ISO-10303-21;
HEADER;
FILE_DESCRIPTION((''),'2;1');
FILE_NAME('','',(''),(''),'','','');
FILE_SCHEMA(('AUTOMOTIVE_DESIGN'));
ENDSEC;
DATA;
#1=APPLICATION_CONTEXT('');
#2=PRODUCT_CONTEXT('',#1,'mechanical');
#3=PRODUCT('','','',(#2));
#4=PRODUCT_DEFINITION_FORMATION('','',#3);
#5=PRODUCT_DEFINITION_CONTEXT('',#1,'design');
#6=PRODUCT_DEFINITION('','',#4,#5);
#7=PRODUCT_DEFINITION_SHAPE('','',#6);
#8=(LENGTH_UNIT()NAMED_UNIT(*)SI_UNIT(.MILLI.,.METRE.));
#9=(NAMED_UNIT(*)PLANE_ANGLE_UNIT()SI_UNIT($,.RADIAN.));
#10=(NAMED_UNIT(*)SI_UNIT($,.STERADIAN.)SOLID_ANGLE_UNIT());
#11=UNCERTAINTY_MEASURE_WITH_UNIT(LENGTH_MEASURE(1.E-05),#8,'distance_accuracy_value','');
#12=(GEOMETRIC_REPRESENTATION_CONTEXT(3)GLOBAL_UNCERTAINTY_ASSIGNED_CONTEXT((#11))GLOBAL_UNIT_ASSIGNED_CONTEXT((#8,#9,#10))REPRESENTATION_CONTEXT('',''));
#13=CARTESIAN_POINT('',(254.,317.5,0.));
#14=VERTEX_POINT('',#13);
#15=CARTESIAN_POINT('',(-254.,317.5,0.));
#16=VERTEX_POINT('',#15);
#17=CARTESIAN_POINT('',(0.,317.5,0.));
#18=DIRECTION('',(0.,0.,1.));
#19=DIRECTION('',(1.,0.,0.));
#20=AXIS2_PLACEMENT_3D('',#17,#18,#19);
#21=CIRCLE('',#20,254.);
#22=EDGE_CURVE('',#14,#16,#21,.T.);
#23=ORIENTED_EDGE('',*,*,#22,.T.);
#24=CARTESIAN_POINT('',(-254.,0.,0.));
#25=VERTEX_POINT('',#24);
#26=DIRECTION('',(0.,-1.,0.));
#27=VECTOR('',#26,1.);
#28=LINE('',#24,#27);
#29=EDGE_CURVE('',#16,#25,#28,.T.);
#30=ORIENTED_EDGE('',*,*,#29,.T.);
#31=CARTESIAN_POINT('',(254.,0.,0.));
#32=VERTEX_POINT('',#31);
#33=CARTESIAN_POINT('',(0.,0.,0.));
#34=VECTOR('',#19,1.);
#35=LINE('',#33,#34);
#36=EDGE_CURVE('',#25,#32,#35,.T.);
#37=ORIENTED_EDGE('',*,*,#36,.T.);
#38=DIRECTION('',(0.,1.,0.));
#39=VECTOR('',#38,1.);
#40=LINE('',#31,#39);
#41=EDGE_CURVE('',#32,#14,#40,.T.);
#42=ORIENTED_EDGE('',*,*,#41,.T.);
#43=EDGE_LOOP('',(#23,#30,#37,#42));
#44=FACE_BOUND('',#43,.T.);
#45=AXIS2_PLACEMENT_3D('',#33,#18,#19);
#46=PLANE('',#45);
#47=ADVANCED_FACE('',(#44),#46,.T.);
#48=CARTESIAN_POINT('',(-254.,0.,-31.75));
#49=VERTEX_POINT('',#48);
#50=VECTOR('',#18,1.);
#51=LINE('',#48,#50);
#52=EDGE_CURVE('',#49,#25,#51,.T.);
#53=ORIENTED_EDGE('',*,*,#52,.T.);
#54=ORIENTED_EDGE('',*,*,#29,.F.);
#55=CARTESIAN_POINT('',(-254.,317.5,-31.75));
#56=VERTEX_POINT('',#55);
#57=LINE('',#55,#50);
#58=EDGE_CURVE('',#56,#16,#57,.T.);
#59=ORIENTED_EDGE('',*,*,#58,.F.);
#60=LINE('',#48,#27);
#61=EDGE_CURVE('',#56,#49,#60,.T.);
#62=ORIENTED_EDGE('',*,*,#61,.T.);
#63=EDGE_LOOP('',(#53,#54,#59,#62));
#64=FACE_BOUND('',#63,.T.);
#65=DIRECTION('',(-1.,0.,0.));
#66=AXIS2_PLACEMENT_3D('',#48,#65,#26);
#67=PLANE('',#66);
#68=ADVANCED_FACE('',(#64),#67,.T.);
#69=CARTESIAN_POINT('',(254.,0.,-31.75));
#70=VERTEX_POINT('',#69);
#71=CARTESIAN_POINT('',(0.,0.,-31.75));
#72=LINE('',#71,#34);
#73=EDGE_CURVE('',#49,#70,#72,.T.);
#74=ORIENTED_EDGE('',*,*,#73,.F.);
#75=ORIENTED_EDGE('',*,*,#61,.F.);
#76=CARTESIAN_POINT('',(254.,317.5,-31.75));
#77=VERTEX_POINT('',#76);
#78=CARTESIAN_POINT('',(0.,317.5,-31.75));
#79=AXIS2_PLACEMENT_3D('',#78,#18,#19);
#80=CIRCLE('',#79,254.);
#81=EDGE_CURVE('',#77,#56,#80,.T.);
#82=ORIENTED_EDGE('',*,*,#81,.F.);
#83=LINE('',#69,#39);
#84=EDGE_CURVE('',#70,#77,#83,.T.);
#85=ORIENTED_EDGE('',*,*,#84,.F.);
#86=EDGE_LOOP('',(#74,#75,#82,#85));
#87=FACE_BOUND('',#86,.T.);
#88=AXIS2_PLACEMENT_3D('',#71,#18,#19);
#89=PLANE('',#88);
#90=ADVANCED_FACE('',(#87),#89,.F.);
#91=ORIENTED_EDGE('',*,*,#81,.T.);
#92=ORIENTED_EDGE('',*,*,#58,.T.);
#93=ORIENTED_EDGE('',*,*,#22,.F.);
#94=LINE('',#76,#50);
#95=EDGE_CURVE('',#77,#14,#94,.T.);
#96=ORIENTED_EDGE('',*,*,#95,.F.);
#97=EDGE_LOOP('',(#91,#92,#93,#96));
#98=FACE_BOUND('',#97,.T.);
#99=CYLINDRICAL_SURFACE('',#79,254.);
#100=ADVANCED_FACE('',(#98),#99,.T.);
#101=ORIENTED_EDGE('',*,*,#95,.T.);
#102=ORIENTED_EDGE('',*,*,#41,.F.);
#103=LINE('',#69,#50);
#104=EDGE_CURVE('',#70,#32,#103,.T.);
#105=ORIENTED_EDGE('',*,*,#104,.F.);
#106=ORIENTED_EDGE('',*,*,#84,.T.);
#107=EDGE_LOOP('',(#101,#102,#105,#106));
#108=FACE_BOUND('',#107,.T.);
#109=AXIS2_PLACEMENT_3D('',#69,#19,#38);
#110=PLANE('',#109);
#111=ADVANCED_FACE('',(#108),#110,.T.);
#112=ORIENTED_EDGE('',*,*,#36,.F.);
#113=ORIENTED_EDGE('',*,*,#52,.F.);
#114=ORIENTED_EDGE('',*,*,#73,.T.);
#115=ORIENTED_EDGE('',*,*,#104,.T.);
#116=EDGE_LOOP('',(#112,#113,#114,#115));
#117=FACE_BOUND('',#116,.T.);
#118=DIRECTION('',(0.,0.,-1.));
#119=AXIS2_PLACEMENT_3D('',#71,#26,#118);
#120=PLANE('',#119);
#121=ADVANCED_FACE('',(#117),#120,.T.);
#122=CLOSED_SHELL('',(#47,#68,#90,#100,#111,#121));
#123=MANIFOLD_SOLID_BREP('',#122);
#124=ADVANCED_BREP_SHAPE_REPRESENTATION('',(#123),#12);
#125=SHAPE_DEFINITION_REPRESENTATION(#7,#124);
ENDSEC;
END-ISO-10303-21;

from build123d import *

# Parameters (mm, degrees)
BOSS_EXTRUDE1_DEPTH = 31.75


with BuildPart() as part:
    # Sketch1 → Boss-Extrude1 (new body)
    with BuildSketch(Plane.XY):
        with BuildLine():
            Line((-254, 0), (254, 0))
            Line((254, 0), (254, 317.5))
            ThreePointArc((254, 317.5), (0, 571.5), (-254, 317.5))
            Line((-254, 317.5), (-254, 0))
        make_face()
    extrude(amount=-BOSS_EXTRUDE1_DEPTH)


solid = part.part
